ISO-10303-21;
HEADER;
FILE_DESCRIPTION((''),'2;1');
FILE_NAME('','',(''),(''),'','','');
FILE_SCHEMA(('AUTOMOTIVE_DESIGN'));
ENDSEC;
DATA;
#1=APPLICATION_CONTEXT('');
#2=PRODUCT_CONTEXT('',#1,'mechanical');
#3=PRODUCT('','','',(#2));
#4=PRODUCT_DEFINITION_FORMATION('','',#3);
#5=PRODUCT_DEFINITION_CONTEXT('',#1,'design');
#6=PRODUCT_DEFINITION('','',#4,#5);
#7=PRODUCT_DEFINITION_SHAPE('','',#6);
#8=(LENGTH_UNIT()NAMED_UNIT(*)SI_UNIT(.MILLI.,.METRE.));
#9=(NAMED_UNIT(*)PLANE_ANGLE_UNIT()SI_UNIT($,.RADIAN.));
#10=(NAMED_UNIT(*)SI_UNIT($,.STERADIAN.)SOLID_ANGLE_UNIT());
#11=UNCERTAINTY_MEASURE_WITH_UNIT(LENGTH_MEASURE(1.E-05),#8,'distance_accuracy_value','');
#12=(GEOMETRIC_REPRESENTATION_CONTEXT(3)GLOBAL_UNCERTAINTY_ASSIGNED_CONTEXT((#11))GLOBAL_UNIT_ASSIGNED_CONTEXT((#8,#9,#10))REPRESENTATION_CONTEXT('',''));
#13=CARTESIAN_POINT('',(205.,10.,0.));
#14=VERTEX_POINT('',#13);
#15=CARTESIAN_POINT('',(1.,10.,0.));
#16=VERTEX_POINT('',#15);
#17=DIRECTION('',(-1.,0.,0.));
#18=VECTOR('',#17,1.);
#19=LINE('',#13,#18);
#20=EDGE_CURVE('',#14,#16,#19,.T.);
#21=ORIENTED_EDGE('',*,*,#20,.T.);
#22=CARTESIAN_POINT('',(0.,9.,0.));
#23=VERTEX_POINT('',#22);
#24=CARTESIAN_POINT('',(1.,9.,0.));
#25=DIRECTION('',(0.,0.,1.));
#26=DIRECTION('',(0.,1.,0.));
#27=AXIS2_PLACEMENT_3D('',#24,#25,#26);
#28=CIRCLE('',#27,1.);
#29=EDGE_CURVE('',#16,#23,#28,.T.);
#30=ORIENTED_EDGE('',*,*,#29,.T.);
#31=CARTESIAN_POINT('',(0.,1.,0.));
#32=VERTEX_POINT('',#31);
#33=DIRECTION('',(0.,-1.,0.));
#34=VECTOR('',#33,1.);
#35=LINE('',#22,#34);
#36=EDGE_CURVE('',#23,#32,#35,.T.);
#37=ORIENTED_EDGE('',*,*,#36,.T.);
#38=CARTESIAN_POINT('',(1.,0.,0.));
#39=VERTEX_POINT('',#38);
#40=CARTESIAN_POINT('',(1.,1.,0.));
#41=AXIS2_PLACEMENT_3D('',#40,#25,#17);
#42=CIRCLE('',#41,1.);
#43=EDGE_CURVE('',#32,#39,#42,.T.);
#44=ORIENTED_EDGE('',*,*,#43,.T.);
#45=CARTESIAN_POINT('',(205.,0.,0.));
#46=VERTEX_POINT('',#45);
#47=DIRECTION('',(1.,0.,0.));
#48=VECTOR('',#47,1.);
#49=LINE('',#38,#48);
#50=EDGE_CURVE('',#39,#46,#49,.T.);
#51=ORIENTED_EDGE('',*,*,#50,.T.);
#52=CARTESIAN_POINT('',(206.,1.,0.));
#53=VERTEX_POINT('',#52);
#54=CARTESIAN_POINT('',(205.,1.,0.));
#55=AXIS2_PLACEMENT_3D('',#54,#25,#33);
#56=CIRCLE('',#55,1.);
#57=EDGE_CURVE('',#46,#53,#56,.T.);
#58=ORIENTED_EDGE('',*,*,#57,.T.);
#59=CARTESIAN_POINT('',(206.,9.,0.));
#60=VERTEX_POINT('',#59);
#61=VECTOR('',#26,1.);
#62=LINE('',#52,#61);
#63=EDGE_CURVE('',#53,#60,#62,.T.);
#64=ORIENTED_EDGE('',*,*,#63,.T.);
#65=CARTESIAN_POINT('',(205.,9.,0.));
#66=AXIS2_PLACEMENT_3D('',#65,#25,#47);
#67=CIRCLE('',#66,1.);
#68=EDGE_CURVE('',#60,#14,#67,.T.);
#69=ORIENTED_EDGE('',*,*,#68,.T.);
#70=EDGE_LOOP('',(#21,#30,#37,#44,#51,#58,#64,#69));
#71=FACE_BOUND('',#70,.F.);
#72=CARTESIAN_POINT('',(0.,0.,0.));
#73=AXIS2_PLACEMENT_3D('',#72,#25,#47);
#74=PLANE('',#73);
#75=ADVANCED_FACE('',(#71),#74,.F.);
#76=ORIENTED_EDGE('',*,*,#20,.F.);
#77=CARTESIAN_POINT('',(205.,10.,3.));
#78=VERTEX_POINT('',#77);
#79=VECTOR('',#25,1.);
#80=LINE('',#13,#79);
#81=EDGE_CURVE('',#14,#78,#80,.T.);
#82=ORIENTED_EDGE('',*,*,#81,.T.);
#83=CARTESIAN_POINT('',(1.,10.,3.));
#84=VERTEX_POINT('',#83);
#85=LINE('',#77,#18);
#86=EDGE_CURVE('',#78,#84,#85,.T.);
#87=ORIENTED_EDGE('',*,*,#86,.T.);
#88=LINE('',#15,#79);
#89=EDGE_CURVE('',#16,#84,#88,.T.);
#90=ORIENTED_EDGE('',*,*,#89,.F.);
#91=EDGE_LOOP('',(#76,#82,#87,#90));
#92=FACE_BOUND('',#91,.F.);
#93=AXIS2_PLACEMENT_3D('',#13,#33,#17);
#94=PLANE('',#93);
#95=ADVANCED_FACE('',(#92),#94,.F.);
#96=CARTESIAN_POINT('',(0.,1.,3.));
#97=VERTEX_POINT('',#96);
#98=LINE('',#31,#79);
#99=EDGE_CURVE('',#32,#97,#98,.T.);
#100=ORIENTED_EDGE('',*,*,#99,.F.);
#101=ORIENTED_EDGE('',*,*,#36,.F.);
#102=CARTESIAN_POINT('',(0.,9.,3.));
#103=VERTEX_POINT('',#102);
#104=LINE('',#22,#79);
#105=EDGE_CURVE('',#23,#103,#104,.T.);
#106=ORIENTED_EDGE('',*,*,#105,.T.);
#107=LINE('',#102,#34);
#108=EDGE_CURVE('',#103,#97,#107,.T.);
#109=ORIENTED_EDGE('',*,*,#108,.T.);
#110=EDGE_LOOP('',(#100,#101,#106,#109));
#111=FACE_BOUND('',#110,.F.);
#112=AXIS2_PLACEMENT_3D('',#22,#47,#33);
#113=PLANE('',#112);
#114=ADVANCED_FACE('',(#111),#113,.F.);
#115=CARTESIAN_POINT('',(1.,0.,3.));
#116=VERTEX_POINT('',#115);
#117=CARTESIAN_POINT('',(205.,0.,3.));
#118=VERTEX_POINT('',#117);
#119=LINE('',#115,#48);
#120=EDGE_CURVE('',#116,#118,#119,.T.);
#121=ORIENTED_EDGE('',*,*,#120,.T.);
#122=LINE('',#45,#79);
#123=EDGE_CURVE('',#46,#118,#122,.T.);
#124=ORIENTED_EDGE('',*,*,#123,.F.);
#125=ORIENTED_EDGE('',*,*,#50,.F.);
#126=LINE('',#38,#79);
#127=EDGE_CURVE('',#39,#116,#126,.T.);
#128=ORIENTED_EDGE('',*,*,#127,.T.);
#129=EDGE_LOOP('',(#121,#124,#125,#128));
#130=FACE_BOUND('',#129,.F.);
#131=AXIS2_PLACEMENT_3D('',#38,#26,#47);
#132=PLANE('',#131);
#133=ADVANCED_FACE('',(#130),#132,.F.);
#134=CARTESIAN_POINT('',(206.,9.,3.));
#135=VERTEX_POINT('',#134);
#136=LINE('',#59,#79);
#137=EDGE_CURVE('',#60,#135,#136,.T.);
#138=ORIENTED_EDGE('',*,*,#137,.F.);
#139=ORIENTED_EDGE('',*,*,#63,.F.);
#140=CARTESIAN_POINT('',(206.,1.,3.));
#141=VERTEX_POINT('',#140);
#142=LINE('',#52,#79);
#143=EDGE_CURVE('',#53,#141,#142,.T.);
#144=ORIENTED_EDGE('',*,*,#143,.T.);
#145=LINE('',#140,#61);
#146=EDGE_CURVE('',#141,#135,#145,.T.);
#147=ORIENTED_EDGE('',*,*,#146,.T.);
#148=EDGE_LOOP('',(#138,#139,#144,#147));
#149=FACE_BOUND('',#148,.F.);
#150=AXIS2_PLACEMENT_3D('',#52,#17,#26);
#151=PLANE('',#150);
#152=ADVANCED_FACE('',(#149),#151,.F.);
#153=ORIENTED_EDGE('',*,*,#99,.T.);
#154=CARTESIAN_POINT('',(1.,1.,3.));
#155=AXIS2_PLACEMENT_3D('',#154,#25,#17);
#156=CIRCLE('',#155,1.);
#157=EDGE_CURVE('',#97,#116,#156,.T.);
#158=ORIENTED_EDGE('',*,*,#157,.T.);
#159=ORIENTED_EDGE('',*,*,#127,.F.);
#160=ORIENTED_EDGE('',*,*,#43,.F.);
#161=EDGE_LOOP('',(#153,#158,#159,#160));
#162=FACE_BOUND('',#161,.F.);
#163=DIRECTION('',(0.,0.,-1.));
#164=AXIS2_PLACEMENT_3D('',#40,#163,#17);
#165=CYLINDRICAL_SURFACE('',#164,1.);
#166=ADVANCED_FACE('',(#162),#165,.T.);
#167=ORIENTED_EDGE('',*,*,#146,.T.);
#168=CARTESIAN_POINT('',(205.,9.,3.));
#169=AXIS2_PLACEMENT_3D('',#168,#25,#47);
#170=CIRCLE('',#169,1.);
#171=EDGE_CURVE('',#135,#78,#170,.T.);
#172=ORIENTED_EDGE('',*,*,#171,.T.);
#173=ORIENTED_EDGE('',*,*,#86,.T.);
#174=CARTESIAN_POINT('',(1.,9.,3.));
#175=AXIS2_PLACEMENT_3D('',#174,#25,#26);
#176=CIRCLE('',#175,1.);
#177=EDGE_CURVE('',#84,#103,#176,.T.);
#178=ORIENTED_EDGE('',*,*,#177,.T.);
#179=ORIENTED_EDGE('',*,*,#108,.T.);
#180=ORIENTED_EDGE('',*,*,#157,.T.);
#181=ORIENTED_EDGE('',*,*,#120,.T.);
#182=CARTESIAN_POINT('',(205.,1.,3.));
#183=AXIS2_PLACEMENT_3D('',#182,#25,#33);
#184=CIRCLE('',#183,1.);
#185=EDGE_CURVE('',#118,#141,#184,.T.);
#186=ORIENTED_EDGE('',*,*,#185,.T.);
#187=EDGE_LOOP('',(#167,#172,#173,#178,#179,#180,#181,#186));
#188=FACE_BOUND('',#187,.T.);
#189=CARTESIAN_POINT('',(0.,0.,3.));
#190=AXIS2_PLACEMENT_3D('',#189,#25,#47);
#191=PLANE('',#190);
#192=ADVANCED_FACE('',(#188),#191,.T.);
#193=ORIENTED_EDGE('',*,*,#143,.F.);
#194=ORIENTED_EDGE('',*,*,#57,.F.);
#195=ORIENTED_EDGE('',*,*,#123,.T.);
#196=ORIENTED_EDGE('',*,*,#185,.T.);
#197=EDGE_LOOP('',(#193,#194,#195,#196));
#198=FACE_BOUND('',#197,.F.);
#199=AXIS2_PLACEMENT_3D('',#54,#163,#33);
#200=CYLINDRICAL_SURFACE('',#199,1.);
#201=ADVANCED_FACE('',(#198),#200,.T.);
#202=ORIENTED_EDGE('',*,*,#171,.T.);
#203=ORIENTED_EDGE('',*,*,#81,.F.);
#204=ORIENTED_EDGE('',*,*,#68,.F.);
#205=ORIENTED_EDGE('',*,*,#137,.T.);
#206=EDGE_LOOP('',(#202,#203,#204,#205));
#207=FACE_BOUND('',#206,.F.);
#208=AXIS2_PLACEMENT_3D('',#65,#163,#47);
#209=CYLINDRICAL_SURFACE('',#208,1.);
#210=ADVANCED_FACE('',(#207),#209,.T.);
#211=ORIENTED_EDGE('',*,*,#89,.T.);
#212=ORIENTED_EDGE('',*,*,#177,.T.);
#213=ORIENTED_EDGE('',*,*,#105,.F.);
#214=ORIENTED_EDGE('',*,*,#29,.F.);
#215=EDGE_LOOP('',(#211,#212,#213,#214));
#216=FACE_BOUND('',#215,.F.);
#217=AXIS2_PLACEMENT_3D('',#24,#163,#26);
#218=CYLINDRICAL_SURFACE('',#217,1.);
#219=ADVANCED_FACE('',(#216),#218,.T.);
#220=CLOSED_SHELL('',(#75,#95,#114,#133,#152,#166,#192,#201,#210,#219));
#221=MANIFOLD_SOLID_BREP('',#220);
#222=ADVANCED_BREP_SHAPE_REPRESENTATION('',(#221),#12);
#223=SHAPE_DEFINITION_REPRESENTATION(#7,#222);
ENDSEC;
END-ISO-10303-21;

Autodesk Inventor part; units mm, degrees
ref_plane "YZ Plane" through (0, 0, 0) normal (1, 0, 0) x (0, 1, 0)
ref_plane "XZ Plane" through (0, 0, 0) normal (0, 1, 0) x (-1, 0, 0)
ref_plane "XY Plane" through (0, 0, 0) normal (0, 0, 1) x (1, 0, 0)
sketch "Sketch1" plane through (0, 0, 0) normal (0, 0, 1) x (1, 0, 0)
  line L0 (1, 0) -> (205, 0)
  line L1 (206, 1) -> (206, 9)
  line L2 (205, 10) -> (1, 10)
  line L3 (0, 9) -> (0, 1)
  arc A0 (205, 0) -> (206, 1) centre (205, 1) ccw
  arc A1 (206, 9) -> (205, 10) centre (205, 9) ccw
  arc A2 (1, 10) -> (0, 9) centre (1, 9) ccw
  arc A3 (0, 1) -> (1, 0) centre (1, 1) ccw
  point P0 (0, 0)
  point P1 (206, 10)
  point P2 (0, 10)
  dimension "d0" = 10
  dimension "d1" = 206
  dimension "d2" = 1
  dimension "d5" = 1
extrude "Extrusion1" add sketch "Sketch1" along normal blind 3
properties part number "OpenROV 2_3 Dev Bulkhead Brace"
